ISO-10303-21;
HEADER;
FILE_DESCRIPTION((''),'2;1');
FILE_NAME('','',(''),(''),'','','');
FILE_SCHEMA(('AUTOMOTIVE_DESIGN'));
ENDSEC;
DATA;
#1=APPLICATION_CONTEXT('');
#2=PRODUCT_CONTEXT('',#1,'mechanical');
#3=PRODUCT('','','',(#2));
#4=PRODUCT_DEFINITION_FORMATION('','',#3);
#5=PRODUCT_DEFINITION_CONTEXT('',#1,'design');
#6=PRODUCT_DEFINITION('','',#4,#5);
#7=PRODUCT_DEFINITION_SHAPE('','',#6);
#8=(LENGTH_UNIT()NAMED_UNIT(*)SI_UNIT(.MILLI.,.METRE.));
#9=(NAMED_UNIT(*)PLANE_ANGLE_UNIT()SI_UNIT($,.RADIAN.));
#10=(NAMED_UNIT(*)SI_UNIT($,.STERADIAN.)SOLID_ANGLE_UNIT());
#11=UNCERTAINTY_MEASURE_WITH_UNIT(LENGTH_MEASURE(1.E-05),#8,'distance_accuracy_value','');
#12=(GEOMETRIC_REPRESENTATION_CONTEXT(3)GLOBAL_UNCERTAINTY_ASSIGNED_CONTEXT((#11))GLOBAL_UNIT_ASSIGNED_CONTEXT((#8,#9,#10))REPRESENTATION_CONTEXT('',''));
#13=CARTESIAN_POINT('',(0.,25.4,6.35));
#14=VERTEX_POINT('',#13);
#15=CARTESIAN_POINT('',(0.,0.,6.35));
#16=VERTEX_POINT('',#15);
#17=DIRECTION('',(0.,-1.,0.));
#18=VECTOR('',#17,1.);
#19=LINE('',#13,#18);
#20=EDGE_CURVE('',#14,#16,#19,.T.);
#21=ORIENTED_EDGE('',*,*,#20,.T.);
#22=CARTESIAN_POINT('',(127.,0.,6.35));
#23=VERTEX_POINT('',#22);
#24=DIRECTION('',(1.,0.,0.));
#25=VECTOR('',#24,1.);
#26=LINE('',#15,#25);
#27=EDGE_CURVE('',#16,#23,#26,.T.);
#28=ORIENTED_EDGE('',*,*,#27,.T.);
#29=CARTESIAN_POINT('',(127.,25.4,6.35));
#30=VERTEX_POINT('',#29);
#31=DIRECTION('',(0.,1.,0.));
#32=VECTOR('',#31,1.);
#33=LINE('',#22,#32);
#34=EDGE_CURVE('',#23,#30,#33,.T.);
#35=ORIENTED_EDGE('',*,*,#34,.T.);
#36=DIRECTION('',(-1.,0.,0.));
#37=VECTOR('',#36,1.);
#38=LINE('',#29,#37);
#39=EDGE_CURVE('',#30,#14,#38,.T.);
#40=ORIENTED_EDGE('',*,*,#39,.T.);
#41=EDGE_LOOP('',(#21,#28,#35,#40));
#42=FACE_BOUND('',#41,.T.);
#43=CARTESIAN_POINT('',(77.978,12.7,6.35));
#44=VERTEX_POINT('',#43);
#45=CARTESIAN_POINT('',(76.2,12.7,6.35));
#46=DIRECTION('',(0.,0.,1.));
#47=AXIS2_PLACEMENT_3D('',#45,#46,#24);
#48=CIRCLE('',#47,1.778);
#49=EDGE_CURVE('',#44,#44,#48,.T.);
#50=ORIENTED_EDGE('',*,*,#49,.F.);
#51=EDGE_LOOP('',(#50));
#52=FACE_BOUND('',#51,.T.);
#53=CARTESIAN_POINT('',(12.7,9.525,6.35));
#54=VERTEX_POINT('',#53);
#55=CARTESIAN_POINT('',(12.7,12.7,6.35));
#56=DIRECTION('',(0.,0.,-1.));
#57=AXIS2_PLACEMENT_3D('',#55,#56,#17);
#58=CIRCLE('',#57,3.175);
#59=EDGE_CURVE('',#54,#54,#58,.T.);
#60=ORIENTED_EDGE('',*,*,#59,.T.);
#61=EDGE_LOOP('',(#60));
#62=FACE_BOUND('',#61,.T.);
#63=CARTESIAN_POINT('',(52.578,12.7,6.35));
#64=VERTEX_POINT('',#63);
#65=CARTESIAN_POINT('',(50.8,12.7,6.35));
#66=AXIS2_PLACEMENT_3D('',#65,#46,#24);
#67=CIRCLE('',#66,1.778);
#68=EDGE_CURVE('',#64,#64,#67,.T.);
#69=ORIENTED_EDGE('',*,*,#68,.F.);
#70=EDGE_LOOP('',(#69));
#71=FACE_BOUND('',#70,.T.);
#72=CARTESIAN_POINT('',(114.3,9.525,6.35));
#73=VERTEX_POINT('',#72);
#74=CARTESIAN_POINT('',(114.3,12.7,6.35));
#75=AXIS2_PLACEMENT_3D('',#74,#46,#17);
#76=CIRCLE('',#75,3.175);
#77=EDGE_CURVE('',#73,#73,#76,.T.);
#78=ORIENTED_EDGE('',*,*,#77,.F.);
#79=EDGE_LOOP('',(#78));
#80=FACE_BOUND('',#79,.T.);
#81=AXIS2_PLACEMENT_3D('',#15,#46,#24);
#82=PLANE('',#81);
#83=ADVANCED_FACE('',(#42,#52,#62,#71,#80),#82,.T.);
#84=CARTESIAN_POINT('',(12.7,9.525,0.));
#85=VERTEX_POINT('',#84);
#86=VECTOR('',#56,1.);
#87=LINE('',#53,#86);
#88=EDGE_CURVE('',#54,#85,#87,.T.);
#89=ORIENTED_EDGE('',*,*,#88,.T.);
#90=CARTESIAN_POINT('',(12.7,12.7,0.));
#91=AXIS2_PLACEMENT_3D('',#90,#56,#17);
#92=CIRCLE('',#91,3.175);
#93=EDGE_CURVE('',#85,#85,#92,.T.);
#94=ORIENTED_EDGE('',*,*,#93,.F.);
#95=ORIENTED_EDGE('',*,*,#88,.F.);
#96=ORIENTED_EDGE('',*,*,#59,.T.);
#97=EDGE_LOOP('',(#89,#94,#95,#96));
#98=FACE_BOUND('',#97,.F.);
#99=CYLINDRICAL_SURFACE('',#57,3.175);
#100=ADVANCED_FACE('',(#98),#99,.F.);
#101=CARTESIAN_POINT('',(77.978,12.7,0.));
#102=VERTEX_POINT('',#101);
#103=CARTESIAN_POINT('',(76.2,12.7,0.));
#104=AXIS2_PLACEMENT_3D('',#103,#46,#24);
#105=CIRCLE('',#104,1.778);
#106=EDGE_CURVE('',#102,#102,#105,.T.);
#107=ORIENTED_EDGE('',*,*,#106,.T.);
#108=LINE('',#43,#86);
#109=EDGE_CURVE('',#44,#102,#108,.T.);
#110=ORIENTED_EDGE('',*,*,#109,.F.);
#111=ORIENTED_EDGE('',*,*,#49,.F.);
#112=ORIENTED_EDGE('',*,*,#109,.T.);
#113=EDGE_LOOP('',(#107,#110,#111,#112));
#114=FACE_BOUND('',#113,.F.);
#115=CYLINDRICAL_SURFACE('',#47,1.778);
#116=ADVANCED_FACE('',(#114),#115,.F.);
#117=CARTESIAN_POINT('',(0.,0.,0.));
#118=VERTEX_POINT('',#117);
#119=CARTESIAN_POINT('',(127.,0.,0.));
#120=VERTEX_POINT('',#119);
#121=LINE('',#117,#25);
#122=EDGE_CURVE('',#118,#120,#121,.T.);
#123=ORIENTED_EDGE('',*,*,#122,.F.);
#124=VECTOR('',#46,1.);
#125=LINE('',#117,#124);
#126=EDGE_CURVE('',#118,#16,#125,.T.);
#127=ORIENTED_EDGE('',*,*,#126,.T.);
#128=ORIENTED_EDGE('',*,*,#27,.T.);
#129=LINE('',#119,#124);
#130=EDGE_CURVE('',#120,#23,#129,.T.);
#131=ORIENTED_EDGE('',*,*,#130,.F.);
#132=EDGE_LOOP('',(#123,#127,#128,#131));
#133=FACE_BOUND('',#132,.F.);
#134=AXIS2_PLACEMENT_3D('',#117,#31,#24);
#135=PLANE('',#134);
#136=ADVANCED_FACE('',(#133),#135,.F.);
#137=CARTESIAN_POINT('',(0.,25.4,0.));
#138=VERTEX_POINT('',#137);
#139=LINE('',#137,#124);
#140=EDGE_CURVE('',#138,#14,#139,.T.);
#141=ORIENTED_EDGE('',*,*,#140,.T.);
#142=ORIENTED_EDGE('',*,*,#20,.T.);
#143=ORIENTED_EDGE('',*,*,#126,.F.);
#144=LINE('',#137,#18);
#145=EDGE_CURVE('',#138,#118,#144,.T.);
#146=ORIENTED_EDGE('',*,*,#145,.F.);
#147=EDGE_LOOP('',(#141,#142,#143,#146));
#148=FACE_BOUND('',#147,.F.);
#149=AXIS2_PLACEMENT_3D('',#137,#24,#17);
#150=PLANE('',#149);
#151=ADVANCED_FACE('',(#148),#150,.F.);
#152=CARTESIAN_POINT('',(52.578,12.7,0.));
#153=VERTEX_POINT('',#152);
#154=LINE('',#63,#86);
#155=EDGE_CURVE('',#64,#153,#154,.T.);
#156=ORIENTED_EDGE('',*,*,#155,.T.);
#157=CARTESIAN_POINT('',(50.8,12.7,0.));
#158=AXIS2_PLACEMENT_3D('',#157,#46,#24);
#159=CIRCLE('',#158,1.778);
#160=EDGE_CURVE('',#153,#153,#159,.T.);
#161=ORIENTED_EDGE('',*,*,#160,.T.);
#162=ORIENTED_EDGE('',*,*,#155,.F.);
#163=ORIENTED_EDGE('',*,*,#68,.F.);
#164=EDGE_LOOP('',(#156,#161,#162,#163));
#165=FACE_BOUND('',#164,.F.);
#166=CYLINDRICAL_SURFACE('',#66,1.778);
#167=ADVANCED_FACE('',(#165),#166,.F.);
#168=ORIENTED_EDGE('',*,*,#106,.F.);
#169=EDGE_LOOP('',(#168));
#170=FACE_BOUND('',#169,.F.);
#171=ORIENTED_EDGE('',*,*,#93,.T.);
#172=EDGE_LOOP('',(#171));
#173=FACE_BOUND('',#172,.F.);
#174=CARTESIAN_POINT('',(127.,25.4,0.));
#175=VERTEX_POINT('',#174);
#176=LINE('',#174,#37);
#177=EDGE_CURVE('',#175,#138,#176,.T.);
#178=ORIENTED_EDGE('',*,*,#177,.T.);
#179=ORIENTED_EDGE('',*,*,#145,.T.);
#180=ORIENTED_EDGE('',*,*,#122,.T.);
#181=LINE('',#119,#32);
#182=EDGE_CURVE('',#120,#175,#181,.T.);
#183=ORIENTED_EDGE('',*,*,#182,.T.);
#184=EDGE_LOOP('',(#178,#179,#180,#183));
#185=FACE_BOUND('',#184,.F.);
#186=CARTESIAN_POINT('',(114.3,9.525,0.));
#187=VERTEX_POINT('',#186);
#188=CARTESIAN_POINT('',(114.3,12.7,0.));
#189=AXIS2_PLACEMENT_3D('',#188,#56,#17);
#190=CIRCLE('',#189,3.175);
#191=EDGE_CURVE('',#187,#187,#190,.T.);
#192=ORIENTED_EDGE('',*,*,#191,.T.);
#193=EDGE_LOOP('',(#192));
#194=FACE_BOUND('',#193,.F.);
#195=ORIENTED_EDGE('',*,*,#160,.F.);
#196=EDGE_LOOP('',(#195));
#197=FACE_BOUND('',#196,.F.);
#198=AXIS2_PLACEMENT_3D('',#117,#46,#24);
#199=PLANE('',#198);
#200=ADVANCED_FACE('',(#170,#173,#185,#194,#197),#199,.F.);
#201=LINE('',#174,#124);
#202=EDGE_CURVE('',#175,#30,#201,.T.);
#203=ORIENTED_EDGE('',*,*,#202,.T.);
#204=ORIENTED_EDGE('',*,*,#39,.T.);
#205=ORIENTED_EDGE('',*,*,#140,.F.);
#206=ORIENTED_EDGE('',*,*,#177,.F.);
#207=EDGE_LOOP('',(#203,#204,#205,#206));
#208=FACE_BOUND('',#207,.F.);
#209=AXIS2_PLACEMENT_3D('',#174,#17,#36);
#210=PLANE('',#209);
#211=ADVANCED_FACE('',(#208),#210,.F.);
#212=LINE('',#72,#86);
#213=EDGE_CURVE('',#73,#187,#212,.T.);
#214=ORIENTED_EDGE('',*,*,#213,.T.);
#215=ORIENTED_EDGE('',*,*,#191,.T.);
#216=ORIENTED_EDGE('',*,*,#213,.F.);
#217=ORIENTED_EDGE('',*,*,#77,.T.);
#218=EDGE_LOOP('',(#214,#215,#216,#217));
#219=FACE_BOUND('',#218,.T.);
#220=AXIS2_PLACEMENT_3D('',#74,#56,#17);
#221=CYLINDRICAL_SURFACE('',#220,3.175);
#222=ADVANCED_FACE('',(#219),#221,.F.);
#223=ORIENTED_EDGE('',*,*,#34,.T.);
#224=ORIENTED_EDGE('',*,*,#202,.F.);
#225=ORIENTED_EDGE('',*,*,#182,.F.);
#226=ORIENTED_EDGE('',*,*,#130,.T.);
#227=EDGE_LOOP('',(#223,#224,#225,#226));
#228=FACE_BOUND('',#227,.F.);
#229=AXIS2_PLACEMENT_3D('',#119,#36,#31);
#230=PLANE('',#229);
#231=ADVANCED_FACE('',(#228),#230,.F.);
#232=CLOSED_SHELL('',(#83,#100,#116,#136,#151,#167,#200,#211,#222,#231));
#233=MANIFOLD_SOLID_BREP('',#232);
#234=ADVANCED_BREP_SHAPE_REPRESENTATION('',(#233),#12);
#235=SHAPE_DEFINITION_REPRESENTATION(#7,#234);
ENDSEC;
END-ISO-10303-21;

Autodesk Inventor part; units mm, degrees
ref_plane "YZ Plane" through (0, 0, 0) normal (1, 0, 0) x (0, 1, 0)
ref_plane "XZ Plane" through (0, 0, 0) normal (0, 1, 0) x (-1, 0, 0)
sketch "Sketch1" plane through (0, 0, 0) normal (0, 0, 1) x (1, 0, 0)
  line L0 (0, 0) -> (127, 0)
  line L1 (127, 0) -> (127, 25.4)
  line L2 (127, 25.4) -> (0, 25.4)
  line L3 (0, 25.4) -> (0, 0)
  dimension "d0" = 127
  dimension "d1" = 25.4
extrude "Extrusion1" add sketch "Sketch1" along normal blind 6.35
sketch "Sketch2" plane through (0, 0, 6.35) normal (0, 0, 1) x (1, 0, 0)
  line L0 (0, 25.4) -> (0, 0) projected
  point P0 (12.7, 12.7)
  dimension "d4" = 12.7
hole "Hole1" at (12.7, 12.7, 6.35) direction (0, 0, -1) diameter 6.35 end through all
thread "Thread1" size "1/4-20 UNC" class "2B" standard "ANSI Unified Screw Threads" full length
ref_plane "Work Plane1" through (63.5, 0, 0) normal (1, 0, 0) x (0, 0, -1)
mirror "Mirror1" about plane through (63.5, 0, 0) normal (1, 0, 0) of "Hole1"
thread "Thread2" size "1/4-20 UNC" class "2B" standard "ANSI Unified Screw Threads" full length
sketch "Sketch4" plane through (0, 0, 6.35) normal (0, 0, 1) x (1, 0, 0)
  line L0 (127, 25.4) -> (0, 25.4) projected
  line L1 (0, 25.4) -> (0, 0) projected
  line L2 (127, 0) -> (127, 25.4) projected
  circle A0 centre (50.8, 12.7) radius 1.778
  circle A1 centre (76.2, 12.7) radius 1.778
  dimension "d28" = 12.7
  dimension "d29" = 12.7
  dimension "d30" = 50.8
  dimension "d31" = 50.8
  dimension "d32" = 3.556
extrude "Extrusion3" cut sketch "Sketch4" against normal blind 6.35
equation "\"d29\" = d28"
equation "\"d31\" = d30"
properties part number "Plate that doewsn't touch lander"
